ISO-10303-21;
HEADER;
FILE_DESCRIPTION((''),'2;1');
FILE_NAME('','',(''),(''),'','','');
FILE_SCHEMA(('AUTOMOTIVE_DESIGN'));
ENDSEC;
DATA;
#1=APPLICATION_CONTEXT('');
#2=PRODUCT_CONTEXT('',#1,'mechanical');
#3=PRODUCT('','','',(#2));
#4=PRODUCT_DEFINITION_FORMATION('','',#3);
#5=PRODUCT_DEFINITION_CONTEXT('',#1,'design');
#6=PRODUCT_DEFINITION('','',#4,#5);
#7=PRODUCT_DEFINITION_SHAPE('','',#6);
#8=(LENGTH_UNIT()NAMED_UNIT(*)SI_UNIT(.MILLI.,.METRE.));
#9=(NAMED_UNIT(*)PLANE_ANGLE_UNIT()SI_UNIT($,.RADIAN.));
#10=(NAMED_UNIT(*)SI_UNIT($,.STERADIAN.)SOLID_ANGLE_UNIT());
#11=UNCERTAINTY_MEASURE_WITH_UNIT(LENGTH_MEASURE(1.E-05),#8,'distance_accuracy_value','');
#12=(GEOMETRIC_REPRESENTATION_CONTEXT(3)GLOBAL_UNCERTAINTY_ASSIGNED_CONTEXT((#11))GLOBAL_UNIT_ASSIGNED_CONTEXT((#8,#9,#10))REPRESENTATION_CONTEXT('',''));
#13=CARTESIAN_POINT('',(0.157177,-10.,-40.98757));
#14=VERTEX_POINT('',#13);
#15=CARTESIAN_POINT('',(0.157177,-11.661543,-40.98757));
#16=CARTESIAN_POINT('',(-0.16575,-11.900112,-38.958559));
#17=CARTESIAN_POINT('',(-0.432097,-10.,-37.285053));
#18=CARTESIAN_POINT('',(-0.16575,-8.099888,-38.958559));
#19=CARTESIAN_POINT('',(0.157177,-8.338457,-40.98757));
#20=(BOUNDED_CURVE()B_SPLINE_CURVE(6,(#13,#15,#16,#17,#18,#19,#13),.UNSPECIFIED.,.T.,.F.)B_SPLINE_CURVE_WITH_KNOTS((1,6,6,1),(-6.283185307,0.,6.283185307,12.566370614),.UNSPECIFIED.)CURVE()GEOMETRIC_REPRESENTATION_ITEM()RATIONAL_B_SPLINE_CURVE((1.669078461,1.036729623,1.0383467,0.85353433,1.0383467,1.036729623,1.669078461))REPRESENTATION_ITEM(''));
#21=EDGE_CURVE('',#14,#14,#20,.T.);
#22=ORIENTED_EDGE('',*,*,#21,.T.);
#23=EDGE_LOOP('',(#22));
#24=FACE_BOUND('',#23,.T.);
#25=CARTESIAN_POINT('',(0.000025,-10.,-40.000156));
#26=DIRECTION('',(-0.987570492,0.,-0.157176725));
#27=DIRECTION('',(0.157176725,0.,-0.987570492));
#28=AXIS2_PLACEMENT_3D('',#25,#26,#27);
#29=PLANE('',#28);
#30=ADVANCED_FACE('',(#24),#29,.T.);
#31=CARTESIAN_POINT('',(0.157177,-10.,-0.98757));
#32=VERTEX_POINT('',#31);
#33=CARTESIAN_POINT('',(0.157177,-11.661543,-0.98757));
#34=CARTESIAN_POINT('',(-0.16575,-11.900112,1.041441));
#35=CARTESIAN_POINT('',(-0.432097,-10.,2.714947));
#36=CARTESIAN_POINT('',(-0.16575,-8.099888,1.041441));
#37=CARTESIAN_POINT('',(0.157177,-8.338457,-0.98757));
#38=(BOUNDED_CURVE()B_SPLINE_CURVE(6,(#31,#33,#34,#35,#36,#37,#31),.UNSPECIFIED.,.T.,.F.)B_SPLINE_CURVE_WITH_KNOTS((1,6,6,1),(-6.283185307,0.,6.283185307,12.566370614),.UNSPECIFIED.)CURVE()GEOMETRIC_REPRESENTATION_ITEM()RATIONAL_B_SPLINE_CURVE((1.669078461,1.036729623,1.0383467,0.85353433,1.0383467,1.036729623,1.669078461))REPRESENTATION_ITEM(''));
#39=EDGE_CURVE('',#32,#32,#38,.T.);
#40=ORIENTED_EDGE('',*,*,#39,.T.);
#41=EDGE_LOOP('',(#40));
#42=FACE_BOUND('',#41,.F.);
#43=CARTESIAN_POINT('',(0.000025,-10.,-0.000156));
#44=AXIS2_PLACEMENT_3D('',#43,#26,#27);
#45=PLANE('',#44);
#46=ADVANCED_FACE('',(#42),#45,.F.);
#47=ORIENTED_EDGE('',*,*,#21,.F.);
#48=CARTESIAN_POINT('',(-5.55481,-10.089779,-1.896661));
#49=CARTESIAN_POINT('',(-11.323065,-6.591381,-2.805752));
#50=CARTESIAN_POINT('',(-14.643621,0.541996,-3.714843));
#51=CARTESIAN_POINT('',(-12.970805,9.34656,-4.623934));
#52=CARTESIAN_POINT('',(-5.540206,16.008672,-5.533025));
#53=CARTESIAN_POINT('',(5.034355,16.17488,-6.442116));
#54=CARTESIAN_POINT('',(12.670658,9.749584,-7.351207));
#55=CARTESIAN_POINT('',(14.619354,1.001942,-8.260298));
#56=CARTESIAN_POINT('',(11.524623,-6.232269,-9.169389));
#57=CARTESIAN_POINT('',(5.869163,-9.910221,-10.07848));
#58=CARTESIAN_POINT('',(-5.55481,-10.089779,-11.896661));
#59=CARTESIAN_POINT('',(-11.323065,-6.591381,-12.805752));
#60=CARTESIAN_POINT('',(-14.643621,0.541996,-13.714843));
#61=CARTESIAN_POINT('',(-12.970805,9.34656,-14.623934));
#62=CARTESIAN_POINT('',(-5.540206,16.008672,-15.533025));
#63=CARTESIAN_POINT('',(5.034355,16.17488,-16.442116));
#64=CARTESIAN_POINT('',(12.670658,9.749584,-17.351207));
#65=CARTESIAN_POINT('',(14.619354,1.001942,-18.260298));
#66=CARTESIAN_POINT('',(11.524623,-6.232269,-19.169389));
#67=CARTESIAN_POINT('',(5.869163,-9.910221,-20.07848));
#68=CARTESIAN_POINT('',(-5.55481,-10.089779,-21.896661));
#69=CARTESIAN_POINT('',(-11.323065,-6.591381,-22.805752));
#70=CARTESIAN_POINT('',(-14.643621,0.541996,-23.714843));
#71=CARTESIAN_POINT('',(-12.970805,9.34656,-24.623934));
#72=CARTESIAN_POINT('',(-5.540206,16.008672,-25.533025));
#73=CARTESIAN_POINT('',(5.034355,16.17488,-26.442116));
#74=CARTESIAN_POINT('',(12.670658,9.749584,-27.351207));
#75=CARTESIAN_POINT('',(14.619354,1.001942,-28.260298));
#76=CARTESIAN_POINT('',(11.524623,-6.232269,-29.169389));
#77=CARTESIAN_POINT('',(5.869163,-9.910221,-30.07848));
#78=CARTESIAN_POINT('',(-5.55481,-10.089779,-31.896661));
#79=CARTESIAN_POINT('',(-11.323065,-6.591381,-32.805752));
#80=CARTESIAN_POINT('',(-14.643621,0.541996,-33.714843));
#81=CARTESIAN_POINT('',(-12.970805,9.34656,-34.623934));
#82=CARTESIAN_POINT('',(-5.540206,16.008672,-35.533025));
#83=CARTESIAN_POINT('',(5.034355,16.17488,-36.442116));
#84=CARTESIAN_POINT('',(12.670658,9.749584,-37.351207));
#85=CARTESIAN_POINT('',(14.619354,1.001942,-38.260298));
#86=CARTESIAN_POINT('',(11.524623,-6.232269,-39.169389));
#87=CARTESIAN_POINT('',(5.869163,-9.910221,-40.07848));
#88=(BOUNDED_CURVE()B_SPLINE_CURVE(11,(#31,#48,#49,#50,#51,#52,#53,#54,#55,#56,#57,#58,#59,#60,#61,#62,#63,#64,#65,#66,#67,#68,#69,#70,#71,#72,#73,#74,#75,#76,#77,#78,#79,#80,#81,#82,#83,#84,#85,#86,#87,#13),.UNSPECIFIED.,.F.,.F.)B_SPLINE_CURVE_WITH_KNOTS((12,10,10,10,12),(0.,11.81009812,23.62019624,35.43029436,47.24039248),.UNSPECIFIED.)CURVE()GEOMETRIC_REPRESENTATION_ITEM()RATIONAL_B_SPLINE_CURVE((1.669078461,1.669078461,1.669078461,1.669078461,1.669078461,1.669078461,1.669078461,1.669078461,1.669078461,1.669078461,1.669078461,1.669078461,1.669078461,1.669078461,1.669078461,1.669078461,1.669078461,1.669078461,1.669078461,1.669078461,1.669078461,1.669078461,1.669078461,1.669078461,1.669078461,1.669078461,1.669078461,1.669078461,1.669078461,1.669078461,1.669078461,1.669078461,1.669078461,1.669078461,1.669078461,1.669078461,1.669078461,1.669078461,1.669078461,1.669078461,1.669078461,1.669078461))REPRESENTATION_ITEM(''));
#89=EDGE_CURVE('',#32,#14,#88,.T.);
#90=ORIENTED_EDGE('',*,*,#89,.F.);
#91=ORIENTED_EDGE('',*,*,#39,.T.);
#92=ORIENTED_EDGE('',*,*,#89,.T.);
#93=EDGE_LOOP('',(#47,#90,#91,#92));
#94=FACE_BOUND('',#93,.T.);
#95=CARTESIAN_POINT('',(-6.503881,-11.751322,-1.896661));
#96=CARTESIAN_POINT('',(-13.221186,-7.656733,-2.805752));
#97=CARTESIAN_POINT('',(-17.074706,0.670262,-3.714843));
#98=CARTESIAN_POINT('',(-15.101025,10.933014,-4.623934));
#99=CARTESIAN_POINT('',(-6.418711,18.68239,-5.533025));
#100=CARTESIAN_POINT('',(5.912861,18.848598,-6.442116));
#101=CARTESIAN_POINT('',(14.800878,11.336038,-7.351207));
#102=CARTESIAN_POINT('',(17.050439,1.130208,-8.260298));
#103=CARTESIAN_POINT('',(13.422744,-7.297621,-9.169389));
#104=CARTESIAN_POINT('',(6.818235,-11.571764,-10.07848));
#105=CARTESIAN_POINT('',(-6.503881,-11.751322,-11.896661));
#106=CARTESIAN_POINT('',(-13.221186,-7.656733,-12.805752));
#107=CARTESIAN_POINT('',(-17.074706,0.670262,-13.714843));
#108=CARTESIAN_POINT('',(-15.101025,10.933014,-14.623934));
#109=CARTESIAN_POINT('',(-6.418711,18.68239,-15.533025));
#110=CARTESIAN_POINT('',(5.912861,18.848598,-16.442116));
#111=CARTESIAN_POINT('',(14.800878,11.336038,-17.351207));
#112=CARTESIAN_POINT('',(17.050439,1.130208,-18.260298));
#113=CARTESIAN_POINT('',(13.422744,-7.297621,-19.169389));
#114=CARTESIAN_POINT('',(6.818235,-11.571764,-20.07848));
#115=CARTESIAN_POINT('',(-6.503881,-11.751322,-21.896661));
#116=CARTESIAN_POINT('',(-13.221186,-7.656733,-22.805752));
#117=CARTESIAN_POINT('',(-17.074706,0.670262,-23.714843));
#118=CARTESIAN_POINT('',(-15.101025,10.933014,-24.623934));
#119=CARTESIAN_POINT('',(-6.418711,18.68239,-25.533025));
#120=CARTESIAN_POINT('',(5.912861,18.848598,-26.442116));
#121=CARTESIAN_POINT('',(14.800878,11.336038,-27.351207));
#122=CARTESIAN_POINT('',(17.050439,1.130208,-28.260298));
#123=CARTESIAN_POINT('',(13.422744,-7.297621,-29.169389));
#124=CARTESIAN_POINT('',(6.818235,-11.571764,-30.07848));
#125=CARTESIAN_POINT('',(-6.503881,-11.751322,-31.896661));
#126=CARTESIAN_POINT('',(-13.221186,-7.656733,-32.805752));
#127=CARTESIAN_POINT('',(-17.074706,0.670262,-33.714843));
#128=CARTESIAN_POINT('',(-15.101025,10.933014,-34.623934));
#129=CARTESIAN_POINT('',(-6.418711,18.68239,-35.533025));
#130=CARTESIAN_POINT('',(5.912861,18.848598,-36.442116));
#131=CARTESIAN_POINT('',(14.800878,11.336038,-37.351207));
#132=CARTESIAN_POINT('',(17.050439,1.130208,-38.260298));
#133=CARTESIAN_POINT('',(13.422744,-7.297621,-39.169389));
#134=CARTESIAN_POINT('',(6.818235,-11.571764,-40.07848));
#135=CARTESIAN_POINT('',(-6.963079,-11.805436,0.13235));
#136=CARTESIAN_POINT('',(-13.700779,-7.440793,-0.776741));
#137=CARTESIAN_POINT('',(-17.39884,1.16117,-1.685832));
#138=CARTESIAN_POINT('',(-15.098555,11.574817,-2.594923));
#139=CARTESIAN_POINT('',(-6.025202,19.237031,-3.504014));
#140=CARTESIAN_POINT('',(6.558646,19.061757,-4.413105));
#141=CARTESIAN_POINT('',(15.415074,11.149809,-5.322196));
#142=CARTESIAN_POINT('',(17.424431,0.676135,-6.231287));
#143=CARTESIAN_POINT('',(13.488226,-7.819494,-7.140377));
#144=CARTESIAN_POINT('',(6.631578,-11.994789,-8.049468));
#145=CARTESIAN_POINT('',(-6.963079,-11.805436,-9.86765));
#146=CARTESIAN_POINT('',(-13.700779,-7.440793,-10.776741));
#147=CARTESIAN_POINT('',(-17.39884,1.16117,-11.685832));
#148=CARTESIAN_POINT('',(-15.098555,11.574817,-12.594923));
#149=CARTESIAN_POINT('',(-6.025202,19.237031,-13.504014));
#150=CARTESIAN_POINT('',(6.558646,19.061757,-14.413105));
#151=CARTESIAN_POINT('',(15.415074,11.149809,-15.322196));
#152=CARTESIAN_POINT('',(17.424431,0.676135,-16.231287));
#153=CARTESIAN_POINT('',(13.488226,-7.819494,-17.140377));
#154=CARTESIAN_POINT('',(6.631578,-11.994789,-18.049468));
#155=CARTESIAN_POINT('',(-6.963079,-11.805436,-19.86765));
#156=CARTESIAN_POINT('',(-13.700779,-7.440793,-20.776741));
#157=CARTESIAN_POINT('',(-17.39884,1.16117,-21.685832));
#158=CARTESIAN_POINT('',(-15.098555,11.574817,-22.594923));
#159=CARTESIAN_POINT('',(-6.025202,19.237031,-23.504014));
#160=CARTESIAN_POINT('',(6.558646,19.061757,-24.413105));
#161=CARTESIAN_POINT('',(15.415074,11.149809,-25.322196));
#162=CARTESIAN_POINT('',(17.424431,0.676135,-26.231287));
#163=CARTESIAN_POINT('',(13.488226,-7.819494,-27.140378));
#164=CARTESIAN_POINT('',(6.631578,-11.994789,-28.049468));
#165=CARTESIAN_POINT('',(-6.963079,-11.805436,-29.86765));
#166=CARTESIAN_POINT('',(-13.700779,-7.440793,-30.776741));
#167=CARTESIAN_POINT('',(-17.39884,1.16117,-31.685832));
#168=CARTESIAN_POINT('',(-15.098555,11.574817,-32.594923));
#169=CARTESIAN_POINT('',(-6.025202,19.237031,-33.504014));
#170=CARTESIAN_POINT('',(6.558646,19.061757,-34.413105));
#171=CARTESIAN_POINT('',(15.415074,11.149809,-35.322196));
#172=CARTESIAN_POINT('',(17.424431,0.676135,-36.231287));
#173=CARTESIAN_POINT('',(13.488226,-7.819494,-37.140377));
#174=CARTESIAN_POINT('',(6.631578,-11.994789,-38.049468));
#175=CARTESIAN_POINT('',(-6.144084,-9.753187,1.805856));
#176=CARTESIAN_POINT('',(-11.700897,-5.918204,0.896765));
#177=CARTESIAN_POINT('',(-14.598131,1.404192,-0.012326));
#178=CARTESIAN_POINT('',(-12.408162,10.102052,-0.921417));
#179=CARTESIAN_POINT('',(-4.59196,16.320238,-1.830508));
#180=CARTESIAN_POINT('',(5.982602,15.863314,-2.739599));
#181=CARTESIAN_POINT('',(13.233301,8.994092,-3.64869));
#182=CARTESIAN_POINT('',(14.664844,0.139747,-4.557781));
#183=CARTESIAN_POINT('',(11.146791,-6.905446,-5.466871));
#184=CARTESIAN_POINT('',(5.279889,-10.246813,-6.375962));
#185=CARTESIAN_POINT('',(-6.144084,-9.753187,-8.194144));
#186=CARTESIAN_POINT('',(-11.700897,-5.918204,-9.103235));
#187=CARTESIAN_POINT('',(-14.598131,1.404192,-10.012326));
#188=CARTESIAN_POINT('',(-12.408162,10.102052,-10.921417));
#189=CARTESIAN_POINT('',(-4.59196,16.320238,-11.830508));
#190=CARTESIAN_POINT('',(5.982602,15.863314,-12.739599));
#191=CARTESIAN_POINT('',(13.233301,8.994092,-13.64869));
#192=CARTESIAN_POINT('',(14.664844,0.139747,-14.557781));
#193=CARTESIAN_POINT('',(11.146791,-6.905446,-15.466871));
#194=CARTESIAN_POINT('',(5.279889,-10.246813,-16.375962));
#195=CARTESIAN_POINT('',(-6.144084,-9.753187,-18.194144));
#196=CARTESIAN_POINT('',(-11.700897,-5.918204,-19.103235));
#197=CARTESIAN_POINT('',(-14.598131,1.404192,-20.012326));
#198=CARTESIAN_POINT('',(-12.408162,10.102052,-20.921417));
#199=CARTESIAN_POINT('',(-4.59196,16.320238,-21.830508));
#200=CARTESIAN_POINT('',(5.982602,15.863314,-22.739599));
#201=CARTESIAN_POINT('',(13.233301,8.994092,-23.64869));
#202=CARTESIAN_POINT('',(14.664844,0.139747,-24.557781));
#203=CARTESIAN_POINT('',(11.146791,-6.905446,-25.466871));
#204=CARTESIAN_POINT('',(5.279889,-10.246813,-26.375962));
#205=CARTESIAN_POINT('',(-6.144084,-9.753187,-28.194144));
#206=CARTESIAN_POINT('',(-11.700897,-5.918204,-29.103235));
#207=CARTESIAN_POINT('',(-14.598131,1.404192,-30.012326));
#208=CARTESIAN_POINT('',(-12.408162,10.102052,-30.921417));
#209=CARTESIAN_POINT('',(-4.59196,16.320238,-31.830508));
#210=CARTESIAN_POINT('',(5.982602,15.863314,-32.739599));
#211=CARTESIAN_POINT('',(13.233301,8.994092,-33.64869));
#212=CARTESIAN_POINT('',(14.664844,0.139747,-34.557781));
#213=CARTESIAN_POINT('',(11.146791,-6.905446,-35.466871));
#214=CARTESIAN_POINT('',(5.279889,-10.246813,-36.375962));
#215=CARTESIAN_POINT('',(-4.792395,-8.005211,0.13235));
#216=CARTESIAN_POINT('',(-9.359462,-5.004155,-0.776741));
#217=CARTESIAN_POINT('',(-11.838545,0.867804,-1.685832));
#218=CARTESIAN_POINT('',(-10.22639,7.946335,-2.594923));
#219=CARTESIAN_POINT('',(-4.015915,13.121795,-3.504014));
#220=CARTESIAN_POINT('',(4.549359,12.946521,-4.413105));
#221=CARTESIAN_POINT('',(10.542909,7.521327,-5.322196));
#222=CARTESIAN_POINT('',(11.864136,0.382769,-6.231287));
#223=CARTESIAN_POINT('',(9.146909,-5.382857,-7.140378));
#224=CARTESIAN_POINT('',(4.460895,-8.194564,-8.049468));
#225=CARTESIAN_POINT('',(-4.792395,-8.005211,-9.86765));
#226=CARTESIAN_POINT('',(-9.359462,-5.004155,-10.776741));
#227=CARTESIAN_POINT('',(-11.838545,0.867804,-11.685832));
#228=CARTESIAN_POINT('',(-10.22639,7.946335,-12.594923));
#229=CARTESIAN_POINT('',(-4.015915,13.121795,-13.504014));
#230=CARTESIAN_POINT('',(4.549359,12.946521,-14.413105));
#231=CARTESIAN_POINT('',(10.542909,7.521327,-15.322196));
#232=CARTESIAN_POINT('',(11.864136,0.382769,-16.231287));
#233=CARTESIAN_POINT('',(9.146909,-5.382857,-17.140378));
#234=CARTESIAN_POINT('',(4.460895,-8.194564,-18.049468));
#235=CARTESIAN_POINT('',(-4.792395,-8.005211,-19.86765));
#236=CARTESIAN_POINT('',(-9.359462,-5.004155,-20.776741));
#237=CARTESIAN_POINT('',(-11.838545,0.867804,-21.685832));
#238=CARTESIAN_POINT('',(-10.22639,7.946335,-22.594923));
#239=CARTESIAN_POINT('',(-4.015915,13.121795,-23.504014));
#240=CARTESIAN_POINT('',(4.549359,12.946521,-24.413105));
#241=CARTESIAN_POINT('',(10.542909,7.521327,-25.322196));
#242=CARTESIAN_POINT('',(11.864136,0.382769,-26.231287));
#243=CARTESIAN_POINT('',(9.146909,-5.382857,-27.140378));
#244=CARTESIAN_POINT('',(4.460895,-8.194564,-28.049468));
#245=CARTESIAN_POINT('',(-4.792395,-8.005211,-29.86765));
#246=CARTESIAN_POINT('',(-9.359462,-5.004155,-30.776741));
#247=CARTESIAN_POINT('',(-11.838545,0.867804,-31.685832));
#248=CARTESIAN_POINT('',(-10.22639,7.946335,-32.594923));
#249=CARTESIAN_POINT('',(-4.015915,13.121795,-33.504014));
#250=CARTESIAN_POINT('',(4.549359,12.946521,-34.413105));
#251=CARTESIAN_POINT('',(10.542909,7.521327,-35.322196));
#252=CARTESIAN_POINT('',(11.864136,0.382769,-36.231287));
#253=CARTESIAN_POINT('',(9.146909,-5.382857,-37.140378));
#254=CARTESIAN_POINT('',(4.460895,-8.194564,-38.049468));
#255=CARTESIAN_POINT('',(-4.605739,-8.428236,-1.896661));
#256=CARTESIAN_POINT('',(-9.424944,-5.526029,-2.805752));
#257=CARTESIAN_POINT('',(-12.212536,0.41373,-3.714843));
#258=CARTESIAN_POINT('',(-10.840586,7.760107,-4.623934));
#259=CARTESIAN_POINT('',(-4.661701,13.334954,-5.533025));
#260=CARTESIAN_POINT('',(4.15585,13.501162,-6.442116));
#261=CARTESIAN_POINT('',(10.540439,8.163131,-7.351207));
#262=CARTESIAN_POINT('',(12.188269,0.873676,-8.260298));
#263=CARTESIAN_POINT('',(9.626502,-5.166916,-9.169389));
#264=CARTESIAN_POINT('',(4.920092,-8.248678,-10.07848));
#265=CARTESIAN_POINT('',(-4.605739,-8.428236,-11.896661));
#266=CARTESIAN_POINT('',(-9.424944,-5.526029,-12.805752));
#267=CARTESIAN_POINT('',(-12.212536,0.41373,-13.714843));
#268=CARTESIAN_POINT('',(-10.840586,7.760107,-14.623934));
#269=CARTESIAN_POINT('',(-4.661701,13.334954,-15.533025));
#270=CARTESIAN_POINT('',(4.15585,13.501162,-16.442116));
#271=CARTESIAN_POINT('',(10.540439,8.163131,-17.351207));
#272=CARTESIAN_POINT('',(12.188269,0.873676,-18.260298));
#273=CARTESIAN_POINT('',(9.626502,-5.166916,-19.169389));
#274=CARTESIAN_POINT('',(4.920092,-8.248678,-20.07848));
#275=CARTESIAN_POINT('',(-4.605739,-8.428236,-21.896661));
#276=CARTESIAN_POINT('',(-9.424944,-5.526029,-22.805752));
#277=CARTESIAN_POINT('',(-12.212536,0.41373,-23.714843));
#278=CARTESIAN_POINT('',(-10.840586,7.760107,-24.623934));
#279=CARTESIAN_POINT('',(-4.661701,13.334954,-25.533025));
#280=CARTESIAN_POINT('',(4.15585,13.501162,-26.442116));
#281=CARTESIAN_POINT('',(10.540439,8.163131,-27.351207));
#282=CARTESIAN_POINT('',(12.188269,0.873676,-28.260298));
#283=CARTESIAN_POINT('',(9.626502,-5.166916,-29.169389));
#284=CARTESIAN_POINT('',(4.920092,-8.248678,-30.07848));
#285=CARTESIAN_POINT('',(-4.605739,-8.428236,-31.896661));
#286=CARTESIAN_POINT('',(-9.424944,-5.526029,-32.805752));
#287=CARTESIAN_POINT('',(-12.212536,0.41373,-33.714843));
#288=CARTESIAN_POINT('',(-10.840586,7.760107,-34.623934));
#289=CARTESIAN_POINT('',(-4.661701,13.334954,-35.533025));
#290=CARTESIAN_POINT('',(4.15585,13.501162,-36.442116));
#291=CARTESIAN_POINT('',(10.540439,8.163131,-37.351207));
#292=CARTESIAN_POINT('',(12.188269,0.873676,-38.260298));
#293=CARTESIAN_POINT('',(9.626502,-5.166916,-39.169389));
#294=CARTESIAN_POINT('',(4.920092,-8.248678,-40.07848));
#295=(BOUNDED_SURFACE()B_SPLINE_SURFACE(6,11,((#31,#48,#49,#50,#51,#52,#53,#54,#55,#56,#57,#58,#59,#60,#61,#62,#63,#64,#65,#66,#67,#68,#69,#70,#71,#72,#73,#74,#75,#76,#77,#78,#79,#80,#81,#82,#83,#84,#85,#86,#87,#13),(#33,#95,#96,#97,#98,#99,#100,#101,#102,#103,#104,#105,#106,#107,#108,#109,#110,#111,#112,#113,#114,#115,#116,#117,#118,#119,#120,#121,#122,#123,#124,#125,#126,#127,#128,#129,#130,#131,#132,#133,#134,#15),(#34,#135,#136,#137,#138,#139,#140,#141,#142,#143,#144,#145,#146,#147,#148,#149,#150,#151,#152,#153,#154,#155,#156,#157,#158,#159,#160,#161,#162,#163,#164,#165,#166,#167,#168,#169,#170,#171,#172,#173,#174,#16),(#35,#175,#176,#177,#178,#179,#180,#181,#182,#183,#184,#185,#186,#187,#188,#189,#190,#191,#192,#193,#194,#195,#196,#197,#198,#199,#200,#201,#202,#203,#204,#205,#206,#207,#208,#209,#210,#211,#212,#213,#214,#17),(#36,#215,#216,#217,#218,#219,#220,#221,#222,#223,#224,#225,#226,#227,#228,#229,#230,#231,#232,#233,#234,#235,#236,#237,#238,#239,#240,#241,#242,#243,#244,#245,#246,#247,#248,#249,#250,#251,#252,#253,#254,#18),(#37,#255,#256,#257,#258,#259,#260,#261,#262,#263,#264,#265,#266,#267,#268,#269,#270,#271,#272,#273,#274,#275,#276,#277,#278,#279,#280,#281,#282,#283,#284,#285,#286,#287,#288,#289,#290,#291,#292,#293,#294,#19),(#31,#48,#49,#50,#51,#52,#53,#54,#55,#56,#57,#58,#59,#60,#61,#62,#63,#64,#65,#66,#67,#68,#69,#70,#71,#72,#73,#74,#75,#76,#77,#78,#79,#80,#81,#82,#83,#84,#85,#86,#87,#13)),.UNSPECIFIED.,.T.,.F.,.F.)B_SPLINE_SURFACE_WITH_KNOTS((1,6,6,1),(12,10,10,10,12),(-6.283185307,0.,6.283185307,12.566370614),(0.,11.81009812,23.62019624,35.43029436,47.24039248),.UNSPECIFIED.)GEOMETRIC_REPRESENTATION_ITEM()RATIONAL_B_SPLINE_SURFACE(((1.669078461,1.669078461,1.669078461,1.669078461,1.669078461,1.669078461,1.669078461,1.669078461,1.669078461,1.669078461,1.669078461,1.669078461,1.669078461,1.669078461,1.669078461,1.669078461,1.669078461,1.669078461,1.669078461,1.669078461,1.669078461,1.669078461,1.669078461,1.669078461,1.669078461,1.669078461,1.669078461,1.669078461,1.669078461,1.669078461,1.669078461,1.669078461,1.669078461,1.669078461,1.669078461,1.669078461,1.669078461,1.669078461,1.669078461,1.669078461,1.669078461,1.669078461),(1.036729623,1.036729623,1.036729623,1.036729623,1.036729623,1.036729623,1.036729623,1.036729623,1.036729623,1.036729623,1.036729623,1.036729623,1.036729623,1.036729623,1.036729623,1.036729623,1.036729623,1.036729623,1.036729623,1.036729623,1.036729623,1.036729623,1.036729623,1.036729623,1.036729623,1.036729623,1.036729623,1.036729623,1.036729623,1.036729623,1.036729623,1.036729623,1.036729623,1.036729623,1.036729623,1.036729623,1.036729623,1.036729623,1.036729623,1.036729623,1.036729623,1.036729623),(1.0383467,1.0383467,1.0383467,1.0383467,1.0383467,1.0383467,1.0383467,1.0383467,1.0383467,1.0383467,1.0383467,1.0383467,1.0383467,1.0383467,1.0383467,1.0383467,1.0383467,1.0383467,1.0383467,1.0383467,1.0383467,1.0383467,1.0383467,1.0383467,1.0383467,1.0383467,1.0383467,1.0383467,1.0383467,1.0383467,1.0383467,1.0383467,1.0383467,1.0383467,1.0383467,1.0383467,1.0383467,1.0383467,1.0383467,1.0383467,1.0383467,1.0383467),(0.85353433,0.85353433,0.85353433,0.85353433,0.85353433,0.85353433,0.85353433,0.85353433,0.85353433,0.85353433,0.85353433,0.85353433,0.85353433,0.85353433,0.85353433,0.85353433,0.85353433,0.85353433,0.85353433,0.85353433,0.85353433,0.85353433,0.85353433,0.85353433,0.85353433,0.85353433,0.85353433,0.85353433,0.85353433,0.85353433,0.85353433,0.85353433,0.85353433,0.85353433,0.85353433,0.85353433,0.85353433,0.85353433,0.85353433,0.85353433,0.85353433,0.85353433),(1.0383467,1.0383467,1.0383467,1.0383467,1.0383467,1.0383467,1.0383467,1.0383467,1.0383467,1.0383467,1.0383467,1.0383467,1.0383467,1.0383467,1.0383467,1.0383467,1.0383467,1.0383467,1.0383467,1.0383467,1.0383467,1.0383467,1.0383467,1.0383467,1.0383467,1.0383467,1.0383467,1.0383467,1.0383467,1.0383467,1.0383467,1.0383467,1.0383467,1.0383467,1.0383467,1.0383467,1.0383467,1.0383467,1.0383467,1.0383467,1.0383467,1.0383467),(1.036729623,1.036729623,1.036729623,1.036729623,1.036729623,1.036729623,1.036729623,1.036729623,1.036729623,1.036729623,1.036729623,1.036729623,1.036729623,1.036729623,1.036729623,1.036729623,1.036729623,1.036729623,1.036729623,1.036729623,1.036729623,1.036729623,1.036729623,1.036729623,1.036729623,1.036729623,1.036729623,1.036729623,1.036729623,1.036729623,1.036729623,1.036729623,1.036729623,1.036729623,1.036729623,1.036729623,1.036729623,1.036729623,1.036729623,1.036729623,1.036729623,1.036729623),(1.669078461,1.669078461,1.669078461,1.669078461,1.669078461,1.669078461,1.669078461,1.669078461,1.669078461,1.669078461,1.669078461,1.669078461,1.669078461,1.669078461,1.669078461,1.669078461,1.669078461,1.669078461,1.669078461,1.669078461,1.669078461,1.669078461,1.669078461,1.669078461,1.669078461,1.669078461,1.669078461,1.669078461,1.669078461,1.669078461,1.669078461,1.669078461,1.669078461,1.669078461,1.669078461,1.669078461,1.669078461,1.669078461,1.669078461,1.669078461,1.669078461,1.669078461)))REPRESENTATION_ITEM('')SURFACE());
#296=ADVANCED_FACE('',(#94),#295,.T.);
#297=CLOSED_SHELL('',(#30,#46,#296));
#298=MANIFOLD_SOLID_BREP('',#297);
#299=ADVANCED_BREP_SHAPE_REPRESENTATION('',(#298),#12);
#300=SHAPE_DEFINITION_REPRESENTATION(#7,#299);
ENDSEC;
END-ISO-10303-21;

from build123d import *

# Parameters (mm, degrees)
BARRER1_PITCH       = 10
BARRER1_HEIGHT      = 40
BARRER1_RADIUS      = 10
BARRER1_START_ANGLE = -90
BARRER1_PROFILE_R   = 1


with BuildPart() as part:
    # Barrer1: sweep along a helix
    with BuildLine() as barrer1_path:
        add(Helix(BARRER1_PITCH, BARRER1_HEIGHT, BARRER1_RADIUS, center=(0, 0, 0), direction=(0, 0, -1), mode=Mode.PRIVATE).rotate(Axis((0, 0, 0), (0, 0, -1)), BARRER1_START_ANGLE))
    # Barrer1 profile (on start of the path) → Barrer1 (sweep)
    with BuildSketch(Plane(origin=(0, -10, 0), x_dir=(0.15717672547755349, 0, -0.9875704921513977), z_dir=(-0.9875704921513977, -2.8861080908017144e-13, -0.15717672547755349))):
        Circle(BARRER1_PROFILE_R)
    sweep(path=barrer1_path.line, is_frenet=True)


solid = part.part
